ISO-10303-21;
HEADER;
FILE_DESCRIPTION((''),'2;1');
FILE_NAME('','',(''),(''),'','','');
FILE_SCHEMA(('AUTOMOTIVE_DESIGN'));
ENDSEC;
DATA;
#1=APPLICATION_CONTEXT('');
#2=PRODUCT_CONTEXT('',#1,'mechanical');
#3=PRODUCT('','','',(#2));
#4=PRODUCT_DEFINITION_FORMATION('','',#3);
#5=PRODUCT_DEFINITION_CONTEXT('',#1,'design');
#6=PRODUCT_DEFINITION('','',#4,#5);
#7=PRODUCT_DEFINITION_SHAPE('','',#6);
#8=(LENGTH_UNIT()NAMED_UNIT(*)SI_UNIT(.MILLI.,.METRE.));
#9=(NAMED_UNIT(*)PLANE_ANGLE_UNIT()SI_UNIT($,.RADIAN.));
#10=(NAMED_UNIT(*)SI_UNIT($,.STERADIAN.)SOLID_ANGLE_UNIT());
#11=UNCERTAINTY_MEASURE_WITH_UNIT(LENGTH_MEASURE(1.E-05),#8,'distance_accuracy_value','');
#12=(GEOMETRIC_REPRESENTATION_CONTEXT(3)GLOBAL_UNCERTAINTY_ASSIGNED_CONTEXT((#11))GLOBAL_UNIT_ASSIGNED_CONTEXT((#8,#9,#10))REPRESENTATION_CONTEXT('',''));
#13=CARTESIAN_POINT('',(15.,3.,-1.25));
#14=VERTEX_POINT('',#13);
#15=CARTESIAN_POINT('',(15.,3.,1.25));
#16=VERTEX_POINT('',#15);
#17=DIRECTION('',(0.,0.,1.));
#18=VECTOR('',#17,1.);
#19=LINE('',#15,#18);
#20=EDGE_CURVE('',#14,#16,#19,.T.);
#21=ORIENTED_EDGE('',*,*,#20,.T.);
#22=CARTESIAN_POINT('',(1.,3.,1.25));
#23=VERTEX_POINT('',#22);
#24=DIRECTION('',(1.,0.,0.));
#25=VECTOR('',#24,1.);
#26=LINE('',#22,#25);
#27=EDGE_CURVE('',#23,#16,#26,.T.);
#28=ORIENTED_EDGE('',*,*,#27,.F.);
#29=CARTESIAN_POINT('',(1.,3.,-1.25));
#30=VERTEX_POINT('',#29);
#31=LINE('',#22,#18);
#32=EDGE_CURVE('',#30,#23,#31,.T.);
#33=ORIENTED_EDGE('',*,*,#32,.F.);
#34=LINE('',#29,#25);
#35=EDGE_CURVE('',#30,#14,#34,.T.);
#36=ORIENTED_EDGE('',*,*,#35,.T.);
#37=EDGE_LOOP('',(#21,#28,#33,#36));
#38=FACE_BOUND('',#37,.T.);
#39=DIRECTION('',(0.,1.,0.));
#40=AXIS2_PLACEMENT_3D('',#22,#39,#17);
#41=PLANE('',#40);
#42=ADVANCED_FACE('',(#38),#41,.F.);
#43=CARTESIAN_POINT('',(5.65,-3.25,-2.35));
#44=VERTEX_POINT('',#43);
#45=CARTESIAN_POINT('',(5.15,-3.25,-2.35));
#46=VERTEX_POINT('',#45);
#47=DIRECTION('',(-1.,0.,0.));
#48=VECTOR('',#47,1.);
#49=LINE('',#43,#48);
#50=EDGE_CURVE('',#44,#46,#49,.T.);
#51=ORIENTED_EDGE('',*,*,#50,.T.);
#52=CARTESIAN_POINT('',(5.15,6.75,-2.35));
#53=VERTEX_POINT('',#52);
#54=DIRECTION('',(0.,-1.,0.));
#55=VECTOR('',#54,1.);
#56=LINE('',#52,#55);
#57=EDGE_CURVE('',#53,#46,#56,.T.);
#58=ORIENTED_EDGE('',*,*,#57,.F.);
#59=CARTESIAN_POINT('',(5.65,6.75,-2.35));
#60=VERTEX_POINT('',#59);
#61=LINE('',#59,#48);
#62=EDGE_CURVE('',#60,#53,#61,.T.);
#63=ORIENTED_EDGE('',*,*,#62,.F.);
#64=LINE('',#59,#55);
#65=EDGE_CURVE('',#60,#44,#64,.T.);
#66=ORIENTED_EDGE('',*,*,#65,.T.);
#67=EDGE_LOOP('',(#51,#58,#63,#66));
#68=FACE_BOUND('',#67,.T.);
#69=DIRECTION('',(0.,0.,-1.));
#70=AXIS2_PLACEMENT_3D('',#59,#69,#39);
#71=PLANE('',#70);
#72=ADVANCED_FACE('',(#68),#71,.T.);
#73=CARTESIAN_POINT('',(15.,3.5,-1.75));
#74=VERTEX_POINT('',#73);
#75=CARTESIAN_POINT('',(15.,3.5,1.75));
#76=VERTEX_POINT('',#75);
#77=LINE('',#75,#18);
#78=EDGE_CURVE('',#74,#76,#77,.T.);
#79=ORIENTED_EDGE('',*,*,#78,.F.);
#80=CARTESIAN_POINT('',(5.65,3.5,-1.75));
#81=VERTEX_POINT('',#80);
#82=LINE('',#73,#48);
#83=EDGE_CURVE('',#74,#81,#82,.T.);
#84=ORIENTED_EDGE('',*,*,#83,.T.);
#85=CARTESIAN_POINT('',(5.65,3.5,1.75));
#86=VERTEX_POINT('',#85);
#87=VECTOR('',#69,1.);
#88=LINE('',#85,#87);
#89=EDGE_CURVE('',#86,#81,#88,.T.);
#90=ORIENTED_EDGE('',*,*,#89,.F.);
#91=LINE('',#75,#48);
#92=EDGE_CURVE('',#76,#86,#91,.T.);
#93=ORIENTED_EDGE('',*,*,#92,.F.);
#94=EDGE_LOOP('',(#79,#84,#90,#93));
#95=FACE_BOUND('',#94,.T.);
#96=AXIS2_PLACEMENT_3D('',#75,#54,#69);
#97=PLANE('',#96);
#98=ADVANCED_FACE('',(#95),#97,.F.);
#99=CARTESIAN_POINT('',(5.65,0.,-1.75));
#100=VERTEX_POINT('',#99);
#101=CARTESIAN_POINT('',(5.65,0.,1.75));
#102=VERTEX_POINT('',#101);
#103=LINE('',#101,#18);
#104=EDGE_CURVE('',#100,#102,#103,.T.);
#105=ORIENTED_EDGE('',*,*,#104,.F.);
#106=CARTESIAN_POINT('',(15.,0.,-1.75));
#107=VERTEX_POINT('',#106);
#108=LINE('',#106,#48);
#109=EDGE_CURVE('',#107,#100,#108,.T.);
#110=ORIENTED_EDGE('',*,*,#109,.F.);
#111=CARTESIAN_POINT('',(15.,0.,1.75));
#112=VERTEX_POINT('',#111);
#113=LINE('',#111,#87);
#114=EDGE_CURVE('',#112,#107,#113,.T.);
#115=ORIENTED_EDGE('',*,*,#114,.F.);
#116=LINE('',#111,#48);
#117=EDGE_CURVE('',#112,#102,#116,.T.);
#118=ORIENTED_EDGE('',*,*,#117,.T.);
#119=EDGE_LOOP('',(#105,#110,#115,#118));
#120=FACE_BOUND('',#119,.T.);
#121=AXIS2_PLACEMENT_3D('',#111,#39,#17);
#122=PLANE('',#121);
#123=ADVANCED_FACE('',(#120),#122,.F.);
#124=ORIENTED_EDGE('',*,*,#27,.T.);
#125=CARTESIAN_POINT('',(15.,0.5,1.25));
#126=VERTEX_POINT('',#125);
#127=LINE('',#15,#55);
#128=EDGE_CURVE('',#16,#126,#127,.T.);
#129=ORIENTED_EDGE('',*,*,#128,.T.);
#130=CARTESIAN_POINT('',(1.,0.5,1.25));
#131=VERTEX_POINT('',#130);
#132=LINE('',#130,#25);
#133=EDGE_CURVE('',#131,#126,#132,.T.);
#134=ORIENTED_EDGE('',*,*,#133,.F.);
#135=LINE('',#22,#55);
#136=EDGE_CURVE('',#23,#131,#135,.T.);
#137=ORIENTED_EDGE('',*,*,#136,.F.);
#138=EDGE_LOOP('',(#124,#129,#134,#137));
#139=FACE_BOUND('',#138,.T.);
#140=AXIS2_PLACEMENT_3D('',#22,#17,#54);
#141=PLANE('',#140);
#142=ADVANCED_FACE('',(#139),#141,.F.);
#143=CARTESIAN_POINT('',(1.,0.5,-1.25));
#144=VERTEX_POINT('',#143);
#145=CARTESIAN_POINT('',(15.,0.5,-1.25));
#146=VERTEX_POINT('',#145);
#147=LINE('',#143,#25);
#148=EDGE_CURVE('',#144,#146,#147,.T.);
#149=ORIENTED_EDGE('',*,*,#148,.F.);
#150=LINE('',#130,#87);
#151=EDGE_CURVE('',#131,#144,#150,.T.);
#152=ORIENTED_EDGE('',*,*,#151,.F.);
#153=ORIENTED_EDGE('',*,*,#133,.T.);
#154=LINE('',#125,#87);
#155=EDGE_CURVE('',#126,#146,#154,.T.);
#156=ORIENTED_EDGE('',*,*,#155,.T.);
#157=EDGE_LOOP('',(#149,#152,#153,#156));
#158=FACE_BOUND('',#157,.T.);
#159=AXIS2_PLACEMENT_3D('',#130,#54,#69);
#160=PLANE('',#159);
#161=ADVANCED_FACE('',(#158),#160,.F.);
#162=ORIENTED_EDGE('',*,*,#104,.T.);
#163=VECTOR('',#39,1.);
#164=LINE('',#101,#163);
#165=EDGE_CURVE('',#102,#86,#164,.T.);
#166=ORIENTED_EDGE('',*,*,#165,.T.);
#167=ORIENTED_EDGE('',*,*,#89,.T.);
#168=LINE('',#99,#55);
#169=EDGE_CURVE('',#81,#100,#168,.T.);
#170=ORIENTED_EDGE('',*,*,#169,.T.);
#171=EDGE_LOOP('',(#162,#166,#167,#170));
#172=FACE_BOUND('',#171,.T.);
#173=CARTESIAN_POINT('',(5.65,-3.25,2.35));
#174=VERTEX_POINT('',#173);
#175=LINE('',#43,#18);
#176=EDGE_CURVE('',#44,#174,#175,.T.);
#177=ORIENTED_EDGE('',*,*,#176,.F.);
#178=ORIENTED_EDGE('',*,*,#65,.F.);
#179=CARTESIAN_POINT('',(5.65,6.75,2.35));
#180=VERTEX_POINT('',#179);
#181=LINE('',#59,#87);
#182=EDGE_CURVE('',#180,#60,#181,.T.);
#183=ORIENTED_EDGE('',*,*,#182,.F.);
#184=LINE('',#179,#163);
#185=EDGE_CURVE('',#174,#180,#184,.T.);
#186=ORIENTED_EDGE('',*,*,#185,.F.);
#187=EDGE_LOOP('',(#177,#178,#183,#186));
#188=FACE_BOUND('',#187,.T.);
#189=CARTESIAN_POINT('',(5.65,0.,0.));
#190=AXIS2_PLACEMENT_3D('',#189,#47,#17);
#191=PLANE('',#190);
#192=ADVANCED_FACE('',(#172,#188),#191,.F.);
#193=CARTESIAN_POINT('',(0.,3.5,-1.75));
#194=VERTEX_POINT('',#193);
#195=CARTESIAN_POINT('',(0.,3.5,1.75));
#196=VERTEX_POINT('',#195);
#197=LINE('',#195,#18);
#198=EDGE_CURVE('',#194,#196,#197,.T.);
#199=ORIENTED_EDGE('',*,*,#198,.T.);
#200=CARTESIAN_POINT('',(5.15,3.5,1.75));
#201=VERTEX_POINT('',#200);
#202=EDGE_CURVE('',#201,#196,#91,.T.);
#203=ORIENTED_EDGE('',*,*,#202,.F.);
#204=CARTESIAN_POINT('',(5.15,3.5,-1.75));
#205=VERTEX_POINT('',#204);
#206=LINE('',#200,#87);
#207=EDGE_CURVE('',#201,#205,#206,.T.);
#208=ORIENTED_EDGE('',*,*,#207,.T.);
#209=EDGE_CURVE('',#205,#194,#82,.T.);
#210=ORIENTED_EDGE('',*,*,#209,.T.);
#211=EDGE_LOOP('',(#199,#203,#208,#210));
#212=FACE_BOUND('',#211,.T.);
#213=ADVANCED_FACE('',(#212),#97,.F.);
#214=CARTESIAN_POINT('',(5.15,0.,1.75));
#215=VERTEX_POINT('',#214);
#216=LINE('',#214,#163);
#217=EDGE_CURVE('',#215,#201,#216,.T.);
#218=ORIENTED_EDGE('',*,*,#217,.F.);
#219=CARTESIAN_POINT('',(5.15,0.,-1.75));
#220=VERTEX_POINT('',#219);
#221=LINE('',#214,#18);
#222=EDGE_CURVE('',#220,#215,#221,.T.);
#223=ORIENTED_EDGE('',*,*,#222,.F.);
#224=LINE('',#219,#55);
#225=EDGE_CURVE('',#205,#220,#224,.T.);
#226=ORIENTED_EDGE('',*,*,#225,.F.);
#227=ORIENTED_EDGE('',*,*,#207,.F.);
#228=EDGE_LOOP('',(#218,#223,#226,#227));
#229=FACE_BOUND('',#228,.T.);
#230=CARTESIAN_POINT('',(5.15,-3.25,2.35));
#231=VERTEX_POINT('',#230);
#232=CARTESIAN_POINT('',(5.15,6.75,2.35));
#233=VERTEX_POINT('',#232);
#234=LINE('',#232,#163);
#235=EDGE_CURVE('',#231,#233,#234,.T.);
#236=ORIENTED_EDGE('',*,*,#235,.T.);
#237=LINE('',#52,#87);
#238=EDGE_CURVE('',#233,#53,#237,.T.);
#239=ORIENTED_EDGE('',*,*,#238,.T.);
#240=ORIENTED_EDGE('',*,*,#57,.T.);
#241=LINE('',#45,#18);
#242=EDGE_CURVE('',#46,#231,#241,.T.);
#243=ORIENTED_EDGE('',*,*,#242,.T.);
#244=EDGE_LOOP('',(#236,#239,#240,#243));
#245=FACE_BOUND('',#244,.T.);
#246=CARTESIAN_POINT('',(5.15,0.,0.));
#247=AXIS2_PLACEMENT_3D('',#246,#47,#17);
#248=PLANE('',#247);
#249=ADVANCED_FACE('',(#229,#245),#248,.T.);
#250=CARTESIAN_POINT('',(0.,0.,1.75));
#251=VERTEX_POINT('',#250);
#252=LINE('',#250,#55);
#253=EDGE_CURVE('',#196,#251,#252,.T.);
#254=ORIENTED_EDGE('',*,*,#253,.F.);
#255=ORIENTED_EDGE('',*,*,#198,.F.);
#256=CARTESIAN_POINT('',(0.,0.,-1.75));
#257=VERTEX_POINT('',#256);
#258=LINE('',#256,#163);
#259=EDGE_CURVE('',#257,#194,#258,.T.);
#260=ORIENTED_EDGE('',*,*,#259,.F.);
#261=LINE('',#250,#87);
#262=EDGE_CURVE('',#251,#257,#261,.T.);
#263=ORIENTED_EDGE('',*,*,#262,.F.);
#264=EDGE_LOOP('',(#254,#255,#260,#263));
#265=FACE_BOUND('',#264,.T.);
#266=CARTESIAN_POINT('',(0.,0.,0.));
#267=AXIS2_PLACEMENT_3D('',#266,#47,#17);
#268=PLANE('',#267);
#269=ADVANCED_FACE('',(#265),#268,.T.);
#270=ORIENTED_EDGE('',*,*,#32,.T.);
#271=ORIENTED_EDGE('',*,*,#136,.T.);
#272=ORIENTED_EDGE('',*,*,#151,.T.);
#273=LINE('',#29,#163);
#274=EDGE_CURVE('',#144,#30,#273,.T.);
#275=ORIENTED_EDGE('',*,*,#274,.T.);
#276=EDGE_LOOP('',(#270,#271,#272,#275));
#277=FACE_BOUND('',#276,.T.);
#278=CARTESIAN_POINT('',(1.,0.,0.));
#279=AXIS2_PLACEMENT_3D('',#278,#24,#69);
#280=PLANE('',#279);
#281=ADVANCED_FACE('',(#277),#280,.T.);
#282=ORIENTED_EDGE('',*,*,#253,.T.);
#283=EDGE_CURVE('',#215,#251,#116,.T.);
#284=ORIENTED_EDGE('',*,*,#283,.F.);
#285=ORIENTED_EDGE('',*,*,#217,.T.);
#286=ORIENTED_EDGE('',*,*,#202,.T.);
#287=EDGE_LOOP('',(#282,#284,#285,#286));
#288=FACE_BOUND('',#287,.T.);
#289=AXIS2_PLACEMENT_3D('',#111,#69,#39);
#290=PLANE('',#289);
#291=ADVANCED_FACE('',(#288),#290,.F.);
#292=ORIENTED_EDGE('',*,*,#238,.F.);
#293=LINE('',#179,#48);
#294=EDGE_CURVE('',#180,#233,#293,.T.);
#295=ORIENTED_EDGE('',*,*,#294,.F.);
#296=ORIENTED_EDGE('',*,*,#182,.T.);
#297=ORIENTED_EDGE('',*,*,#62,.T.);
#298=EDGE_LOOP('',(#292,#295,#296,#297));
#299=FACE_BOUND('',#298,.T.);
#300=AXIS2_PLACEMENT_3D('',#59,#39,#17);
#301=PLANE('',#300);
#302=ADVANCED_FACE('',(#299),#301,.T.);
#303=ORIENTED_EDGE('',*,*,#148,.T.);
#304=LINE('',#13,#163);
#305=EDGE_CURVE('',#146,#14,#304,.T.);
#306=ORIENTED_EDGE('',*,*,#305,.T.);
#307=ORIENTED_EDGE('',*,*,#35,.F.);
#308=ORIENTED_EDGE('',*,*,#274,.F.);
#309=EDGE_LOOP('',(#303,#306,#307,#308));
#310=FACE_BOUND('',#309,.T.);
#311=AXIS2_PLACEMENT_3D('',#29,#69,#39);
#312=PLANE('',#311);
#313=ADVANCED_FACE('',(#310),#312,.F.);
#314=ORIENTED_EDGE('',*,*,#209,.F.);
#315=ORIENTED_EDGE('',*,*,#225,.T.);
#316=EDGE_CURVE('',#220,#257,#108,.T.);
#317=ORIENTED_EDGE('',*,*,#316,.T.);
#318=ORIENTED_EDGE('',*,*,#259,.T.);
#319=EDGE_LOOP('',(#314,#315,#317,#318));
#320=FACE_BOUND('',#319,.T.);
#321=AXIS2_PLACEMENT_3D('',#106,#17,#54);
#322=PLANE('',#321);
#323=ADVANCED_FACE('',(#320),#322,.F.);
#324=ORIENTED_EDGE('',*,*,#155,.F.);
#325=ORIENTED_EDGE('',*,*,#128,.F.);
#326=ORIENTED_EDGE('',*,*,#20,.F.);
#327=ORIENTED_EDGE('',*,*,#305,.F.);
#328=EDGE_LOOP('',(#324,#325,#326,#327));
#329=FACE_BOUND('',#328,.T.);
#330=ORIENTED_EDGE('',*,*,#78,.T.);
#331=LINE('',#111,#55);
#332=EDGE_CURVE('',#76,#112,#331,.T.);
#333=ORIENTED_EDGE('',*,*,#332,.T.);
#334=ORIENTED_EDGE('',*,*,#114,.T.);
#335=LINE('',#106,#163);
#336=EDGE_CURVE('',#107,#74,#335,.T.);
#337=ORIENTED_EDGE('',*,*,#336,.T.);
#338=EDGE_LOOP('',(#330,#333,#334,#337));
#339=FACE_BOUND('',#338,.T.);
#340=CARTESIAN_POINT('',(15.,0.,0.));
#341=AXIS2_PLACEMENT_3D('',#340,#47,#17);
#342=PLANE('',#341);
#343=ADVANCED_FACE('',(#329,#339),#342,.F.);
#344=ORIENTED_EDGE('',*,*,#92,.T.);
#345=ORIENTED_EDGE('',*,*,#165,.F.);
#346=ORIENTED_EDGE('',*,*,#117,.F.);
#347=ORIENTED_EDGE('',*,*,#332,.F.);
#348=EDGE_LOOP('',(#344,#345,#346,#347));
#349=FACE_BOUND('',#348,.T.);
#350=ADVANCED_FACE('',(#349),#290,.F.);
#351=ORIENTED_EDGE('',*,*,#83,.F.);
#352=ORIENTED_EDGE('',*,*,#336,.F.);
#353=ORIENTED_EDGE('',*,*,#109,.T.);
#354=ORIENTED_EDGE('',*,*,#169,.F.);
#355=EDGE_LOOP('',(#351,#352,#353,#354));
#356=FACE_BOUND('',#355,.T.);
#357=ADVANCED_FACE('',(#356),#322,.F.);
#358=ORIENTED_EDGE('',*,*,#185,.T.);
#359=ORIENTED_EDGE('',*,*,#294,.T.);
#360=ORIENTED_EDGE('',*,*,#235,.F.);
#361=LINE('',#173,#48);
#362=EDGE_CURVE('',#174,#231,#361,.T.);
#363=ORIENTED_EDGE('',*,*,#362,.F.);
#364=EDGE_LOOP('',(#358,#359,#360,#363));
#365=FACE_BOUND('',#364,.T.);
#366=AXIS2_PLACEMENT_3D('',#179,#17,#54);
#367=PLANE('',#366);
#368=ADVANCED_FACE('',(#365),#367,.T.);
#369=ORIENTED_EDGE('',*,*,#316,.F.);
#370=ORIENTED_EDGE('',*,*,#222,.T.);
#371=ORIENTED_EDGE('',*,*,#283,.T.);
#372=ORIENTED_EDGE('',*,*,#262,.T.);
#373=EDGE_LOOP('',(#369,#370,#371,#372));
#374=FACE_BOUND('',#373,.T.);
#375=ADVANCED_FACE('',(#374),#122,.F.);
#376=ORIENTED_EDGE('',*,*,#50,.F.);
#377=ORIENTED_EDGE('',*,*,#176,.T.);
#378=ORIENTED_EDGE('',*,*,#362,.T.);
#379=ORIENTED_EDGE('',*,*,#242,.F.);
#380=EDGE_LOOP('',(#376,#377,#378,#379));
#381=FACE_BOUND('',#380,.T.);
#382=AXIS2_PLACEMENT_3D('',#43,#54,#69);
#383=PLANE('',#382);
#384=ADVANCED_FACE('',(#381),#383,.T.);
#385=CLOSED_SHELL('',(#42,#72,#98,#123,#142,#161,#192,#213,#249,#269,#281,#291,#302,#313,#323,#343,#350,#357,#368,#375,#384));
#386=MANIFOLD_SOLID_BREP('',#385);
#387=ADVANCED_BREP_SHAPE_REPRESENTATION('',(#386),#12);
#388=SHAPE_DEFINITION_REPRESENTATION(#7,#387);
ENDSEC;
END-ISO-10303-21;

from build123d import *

# Parameters (mm, degrees)
CROQUIS1_W              = 3.5
CROQUIS1_H              = 3.5
SALIENTE_EXTRUIR1_DEPTH = 15
CROQUIS4_W              = 4.7
CROQUIS4_H              = 10
SALIENTE_EXTRUIR2_DEPTH = 0.5
CROQUIS5_W              = 2.5
CROQUIS5_H              = 2.5
CORTAR_EXTRUIR1_DEPTH   = 14


with BuildPart() as part:
    # Croquis1 → Saliente-Extruir1 (new body)
    with BuildSketch(Plane(origin=(0, 0, 0), x_dir=(0, 0, -1), z_dir=(1, 0, 0))):
        with Locations((0, 1.75)):
            Rectangle(CROQUIS1_W, CROQUIS1_H)
    extrude(amount=SALIENTE_EXTRUIR1_DEPTH)

    # Croquis4 → Saliente-Extruir2 (add)
    with BuildSketch(Plane.ZY.offset(-5.15)):
        with Locations((0, 1.75)):
            Rectangle(CROQUIS4_W, CROQUIS4_H)
    extrude(amount=-SALIENTE_EXTRUIR2_DEPTH)

    # Croquis5 → Cortar-Extruir1 (cut)
    with BuildSketch(Plane(origin=(15, 0, 0), x_dir=(0, 0, -1), z_dir=(1, 0, 0))):
        with Locations((0, 1.75)):
            Rectangle(CROQUIS5_W, CROQUIS5_H)
    extrude(amount=-CORTAR_EXTRUIR1_DEPTH, mode=Mode.SUBTRACT)


solid = part.part
